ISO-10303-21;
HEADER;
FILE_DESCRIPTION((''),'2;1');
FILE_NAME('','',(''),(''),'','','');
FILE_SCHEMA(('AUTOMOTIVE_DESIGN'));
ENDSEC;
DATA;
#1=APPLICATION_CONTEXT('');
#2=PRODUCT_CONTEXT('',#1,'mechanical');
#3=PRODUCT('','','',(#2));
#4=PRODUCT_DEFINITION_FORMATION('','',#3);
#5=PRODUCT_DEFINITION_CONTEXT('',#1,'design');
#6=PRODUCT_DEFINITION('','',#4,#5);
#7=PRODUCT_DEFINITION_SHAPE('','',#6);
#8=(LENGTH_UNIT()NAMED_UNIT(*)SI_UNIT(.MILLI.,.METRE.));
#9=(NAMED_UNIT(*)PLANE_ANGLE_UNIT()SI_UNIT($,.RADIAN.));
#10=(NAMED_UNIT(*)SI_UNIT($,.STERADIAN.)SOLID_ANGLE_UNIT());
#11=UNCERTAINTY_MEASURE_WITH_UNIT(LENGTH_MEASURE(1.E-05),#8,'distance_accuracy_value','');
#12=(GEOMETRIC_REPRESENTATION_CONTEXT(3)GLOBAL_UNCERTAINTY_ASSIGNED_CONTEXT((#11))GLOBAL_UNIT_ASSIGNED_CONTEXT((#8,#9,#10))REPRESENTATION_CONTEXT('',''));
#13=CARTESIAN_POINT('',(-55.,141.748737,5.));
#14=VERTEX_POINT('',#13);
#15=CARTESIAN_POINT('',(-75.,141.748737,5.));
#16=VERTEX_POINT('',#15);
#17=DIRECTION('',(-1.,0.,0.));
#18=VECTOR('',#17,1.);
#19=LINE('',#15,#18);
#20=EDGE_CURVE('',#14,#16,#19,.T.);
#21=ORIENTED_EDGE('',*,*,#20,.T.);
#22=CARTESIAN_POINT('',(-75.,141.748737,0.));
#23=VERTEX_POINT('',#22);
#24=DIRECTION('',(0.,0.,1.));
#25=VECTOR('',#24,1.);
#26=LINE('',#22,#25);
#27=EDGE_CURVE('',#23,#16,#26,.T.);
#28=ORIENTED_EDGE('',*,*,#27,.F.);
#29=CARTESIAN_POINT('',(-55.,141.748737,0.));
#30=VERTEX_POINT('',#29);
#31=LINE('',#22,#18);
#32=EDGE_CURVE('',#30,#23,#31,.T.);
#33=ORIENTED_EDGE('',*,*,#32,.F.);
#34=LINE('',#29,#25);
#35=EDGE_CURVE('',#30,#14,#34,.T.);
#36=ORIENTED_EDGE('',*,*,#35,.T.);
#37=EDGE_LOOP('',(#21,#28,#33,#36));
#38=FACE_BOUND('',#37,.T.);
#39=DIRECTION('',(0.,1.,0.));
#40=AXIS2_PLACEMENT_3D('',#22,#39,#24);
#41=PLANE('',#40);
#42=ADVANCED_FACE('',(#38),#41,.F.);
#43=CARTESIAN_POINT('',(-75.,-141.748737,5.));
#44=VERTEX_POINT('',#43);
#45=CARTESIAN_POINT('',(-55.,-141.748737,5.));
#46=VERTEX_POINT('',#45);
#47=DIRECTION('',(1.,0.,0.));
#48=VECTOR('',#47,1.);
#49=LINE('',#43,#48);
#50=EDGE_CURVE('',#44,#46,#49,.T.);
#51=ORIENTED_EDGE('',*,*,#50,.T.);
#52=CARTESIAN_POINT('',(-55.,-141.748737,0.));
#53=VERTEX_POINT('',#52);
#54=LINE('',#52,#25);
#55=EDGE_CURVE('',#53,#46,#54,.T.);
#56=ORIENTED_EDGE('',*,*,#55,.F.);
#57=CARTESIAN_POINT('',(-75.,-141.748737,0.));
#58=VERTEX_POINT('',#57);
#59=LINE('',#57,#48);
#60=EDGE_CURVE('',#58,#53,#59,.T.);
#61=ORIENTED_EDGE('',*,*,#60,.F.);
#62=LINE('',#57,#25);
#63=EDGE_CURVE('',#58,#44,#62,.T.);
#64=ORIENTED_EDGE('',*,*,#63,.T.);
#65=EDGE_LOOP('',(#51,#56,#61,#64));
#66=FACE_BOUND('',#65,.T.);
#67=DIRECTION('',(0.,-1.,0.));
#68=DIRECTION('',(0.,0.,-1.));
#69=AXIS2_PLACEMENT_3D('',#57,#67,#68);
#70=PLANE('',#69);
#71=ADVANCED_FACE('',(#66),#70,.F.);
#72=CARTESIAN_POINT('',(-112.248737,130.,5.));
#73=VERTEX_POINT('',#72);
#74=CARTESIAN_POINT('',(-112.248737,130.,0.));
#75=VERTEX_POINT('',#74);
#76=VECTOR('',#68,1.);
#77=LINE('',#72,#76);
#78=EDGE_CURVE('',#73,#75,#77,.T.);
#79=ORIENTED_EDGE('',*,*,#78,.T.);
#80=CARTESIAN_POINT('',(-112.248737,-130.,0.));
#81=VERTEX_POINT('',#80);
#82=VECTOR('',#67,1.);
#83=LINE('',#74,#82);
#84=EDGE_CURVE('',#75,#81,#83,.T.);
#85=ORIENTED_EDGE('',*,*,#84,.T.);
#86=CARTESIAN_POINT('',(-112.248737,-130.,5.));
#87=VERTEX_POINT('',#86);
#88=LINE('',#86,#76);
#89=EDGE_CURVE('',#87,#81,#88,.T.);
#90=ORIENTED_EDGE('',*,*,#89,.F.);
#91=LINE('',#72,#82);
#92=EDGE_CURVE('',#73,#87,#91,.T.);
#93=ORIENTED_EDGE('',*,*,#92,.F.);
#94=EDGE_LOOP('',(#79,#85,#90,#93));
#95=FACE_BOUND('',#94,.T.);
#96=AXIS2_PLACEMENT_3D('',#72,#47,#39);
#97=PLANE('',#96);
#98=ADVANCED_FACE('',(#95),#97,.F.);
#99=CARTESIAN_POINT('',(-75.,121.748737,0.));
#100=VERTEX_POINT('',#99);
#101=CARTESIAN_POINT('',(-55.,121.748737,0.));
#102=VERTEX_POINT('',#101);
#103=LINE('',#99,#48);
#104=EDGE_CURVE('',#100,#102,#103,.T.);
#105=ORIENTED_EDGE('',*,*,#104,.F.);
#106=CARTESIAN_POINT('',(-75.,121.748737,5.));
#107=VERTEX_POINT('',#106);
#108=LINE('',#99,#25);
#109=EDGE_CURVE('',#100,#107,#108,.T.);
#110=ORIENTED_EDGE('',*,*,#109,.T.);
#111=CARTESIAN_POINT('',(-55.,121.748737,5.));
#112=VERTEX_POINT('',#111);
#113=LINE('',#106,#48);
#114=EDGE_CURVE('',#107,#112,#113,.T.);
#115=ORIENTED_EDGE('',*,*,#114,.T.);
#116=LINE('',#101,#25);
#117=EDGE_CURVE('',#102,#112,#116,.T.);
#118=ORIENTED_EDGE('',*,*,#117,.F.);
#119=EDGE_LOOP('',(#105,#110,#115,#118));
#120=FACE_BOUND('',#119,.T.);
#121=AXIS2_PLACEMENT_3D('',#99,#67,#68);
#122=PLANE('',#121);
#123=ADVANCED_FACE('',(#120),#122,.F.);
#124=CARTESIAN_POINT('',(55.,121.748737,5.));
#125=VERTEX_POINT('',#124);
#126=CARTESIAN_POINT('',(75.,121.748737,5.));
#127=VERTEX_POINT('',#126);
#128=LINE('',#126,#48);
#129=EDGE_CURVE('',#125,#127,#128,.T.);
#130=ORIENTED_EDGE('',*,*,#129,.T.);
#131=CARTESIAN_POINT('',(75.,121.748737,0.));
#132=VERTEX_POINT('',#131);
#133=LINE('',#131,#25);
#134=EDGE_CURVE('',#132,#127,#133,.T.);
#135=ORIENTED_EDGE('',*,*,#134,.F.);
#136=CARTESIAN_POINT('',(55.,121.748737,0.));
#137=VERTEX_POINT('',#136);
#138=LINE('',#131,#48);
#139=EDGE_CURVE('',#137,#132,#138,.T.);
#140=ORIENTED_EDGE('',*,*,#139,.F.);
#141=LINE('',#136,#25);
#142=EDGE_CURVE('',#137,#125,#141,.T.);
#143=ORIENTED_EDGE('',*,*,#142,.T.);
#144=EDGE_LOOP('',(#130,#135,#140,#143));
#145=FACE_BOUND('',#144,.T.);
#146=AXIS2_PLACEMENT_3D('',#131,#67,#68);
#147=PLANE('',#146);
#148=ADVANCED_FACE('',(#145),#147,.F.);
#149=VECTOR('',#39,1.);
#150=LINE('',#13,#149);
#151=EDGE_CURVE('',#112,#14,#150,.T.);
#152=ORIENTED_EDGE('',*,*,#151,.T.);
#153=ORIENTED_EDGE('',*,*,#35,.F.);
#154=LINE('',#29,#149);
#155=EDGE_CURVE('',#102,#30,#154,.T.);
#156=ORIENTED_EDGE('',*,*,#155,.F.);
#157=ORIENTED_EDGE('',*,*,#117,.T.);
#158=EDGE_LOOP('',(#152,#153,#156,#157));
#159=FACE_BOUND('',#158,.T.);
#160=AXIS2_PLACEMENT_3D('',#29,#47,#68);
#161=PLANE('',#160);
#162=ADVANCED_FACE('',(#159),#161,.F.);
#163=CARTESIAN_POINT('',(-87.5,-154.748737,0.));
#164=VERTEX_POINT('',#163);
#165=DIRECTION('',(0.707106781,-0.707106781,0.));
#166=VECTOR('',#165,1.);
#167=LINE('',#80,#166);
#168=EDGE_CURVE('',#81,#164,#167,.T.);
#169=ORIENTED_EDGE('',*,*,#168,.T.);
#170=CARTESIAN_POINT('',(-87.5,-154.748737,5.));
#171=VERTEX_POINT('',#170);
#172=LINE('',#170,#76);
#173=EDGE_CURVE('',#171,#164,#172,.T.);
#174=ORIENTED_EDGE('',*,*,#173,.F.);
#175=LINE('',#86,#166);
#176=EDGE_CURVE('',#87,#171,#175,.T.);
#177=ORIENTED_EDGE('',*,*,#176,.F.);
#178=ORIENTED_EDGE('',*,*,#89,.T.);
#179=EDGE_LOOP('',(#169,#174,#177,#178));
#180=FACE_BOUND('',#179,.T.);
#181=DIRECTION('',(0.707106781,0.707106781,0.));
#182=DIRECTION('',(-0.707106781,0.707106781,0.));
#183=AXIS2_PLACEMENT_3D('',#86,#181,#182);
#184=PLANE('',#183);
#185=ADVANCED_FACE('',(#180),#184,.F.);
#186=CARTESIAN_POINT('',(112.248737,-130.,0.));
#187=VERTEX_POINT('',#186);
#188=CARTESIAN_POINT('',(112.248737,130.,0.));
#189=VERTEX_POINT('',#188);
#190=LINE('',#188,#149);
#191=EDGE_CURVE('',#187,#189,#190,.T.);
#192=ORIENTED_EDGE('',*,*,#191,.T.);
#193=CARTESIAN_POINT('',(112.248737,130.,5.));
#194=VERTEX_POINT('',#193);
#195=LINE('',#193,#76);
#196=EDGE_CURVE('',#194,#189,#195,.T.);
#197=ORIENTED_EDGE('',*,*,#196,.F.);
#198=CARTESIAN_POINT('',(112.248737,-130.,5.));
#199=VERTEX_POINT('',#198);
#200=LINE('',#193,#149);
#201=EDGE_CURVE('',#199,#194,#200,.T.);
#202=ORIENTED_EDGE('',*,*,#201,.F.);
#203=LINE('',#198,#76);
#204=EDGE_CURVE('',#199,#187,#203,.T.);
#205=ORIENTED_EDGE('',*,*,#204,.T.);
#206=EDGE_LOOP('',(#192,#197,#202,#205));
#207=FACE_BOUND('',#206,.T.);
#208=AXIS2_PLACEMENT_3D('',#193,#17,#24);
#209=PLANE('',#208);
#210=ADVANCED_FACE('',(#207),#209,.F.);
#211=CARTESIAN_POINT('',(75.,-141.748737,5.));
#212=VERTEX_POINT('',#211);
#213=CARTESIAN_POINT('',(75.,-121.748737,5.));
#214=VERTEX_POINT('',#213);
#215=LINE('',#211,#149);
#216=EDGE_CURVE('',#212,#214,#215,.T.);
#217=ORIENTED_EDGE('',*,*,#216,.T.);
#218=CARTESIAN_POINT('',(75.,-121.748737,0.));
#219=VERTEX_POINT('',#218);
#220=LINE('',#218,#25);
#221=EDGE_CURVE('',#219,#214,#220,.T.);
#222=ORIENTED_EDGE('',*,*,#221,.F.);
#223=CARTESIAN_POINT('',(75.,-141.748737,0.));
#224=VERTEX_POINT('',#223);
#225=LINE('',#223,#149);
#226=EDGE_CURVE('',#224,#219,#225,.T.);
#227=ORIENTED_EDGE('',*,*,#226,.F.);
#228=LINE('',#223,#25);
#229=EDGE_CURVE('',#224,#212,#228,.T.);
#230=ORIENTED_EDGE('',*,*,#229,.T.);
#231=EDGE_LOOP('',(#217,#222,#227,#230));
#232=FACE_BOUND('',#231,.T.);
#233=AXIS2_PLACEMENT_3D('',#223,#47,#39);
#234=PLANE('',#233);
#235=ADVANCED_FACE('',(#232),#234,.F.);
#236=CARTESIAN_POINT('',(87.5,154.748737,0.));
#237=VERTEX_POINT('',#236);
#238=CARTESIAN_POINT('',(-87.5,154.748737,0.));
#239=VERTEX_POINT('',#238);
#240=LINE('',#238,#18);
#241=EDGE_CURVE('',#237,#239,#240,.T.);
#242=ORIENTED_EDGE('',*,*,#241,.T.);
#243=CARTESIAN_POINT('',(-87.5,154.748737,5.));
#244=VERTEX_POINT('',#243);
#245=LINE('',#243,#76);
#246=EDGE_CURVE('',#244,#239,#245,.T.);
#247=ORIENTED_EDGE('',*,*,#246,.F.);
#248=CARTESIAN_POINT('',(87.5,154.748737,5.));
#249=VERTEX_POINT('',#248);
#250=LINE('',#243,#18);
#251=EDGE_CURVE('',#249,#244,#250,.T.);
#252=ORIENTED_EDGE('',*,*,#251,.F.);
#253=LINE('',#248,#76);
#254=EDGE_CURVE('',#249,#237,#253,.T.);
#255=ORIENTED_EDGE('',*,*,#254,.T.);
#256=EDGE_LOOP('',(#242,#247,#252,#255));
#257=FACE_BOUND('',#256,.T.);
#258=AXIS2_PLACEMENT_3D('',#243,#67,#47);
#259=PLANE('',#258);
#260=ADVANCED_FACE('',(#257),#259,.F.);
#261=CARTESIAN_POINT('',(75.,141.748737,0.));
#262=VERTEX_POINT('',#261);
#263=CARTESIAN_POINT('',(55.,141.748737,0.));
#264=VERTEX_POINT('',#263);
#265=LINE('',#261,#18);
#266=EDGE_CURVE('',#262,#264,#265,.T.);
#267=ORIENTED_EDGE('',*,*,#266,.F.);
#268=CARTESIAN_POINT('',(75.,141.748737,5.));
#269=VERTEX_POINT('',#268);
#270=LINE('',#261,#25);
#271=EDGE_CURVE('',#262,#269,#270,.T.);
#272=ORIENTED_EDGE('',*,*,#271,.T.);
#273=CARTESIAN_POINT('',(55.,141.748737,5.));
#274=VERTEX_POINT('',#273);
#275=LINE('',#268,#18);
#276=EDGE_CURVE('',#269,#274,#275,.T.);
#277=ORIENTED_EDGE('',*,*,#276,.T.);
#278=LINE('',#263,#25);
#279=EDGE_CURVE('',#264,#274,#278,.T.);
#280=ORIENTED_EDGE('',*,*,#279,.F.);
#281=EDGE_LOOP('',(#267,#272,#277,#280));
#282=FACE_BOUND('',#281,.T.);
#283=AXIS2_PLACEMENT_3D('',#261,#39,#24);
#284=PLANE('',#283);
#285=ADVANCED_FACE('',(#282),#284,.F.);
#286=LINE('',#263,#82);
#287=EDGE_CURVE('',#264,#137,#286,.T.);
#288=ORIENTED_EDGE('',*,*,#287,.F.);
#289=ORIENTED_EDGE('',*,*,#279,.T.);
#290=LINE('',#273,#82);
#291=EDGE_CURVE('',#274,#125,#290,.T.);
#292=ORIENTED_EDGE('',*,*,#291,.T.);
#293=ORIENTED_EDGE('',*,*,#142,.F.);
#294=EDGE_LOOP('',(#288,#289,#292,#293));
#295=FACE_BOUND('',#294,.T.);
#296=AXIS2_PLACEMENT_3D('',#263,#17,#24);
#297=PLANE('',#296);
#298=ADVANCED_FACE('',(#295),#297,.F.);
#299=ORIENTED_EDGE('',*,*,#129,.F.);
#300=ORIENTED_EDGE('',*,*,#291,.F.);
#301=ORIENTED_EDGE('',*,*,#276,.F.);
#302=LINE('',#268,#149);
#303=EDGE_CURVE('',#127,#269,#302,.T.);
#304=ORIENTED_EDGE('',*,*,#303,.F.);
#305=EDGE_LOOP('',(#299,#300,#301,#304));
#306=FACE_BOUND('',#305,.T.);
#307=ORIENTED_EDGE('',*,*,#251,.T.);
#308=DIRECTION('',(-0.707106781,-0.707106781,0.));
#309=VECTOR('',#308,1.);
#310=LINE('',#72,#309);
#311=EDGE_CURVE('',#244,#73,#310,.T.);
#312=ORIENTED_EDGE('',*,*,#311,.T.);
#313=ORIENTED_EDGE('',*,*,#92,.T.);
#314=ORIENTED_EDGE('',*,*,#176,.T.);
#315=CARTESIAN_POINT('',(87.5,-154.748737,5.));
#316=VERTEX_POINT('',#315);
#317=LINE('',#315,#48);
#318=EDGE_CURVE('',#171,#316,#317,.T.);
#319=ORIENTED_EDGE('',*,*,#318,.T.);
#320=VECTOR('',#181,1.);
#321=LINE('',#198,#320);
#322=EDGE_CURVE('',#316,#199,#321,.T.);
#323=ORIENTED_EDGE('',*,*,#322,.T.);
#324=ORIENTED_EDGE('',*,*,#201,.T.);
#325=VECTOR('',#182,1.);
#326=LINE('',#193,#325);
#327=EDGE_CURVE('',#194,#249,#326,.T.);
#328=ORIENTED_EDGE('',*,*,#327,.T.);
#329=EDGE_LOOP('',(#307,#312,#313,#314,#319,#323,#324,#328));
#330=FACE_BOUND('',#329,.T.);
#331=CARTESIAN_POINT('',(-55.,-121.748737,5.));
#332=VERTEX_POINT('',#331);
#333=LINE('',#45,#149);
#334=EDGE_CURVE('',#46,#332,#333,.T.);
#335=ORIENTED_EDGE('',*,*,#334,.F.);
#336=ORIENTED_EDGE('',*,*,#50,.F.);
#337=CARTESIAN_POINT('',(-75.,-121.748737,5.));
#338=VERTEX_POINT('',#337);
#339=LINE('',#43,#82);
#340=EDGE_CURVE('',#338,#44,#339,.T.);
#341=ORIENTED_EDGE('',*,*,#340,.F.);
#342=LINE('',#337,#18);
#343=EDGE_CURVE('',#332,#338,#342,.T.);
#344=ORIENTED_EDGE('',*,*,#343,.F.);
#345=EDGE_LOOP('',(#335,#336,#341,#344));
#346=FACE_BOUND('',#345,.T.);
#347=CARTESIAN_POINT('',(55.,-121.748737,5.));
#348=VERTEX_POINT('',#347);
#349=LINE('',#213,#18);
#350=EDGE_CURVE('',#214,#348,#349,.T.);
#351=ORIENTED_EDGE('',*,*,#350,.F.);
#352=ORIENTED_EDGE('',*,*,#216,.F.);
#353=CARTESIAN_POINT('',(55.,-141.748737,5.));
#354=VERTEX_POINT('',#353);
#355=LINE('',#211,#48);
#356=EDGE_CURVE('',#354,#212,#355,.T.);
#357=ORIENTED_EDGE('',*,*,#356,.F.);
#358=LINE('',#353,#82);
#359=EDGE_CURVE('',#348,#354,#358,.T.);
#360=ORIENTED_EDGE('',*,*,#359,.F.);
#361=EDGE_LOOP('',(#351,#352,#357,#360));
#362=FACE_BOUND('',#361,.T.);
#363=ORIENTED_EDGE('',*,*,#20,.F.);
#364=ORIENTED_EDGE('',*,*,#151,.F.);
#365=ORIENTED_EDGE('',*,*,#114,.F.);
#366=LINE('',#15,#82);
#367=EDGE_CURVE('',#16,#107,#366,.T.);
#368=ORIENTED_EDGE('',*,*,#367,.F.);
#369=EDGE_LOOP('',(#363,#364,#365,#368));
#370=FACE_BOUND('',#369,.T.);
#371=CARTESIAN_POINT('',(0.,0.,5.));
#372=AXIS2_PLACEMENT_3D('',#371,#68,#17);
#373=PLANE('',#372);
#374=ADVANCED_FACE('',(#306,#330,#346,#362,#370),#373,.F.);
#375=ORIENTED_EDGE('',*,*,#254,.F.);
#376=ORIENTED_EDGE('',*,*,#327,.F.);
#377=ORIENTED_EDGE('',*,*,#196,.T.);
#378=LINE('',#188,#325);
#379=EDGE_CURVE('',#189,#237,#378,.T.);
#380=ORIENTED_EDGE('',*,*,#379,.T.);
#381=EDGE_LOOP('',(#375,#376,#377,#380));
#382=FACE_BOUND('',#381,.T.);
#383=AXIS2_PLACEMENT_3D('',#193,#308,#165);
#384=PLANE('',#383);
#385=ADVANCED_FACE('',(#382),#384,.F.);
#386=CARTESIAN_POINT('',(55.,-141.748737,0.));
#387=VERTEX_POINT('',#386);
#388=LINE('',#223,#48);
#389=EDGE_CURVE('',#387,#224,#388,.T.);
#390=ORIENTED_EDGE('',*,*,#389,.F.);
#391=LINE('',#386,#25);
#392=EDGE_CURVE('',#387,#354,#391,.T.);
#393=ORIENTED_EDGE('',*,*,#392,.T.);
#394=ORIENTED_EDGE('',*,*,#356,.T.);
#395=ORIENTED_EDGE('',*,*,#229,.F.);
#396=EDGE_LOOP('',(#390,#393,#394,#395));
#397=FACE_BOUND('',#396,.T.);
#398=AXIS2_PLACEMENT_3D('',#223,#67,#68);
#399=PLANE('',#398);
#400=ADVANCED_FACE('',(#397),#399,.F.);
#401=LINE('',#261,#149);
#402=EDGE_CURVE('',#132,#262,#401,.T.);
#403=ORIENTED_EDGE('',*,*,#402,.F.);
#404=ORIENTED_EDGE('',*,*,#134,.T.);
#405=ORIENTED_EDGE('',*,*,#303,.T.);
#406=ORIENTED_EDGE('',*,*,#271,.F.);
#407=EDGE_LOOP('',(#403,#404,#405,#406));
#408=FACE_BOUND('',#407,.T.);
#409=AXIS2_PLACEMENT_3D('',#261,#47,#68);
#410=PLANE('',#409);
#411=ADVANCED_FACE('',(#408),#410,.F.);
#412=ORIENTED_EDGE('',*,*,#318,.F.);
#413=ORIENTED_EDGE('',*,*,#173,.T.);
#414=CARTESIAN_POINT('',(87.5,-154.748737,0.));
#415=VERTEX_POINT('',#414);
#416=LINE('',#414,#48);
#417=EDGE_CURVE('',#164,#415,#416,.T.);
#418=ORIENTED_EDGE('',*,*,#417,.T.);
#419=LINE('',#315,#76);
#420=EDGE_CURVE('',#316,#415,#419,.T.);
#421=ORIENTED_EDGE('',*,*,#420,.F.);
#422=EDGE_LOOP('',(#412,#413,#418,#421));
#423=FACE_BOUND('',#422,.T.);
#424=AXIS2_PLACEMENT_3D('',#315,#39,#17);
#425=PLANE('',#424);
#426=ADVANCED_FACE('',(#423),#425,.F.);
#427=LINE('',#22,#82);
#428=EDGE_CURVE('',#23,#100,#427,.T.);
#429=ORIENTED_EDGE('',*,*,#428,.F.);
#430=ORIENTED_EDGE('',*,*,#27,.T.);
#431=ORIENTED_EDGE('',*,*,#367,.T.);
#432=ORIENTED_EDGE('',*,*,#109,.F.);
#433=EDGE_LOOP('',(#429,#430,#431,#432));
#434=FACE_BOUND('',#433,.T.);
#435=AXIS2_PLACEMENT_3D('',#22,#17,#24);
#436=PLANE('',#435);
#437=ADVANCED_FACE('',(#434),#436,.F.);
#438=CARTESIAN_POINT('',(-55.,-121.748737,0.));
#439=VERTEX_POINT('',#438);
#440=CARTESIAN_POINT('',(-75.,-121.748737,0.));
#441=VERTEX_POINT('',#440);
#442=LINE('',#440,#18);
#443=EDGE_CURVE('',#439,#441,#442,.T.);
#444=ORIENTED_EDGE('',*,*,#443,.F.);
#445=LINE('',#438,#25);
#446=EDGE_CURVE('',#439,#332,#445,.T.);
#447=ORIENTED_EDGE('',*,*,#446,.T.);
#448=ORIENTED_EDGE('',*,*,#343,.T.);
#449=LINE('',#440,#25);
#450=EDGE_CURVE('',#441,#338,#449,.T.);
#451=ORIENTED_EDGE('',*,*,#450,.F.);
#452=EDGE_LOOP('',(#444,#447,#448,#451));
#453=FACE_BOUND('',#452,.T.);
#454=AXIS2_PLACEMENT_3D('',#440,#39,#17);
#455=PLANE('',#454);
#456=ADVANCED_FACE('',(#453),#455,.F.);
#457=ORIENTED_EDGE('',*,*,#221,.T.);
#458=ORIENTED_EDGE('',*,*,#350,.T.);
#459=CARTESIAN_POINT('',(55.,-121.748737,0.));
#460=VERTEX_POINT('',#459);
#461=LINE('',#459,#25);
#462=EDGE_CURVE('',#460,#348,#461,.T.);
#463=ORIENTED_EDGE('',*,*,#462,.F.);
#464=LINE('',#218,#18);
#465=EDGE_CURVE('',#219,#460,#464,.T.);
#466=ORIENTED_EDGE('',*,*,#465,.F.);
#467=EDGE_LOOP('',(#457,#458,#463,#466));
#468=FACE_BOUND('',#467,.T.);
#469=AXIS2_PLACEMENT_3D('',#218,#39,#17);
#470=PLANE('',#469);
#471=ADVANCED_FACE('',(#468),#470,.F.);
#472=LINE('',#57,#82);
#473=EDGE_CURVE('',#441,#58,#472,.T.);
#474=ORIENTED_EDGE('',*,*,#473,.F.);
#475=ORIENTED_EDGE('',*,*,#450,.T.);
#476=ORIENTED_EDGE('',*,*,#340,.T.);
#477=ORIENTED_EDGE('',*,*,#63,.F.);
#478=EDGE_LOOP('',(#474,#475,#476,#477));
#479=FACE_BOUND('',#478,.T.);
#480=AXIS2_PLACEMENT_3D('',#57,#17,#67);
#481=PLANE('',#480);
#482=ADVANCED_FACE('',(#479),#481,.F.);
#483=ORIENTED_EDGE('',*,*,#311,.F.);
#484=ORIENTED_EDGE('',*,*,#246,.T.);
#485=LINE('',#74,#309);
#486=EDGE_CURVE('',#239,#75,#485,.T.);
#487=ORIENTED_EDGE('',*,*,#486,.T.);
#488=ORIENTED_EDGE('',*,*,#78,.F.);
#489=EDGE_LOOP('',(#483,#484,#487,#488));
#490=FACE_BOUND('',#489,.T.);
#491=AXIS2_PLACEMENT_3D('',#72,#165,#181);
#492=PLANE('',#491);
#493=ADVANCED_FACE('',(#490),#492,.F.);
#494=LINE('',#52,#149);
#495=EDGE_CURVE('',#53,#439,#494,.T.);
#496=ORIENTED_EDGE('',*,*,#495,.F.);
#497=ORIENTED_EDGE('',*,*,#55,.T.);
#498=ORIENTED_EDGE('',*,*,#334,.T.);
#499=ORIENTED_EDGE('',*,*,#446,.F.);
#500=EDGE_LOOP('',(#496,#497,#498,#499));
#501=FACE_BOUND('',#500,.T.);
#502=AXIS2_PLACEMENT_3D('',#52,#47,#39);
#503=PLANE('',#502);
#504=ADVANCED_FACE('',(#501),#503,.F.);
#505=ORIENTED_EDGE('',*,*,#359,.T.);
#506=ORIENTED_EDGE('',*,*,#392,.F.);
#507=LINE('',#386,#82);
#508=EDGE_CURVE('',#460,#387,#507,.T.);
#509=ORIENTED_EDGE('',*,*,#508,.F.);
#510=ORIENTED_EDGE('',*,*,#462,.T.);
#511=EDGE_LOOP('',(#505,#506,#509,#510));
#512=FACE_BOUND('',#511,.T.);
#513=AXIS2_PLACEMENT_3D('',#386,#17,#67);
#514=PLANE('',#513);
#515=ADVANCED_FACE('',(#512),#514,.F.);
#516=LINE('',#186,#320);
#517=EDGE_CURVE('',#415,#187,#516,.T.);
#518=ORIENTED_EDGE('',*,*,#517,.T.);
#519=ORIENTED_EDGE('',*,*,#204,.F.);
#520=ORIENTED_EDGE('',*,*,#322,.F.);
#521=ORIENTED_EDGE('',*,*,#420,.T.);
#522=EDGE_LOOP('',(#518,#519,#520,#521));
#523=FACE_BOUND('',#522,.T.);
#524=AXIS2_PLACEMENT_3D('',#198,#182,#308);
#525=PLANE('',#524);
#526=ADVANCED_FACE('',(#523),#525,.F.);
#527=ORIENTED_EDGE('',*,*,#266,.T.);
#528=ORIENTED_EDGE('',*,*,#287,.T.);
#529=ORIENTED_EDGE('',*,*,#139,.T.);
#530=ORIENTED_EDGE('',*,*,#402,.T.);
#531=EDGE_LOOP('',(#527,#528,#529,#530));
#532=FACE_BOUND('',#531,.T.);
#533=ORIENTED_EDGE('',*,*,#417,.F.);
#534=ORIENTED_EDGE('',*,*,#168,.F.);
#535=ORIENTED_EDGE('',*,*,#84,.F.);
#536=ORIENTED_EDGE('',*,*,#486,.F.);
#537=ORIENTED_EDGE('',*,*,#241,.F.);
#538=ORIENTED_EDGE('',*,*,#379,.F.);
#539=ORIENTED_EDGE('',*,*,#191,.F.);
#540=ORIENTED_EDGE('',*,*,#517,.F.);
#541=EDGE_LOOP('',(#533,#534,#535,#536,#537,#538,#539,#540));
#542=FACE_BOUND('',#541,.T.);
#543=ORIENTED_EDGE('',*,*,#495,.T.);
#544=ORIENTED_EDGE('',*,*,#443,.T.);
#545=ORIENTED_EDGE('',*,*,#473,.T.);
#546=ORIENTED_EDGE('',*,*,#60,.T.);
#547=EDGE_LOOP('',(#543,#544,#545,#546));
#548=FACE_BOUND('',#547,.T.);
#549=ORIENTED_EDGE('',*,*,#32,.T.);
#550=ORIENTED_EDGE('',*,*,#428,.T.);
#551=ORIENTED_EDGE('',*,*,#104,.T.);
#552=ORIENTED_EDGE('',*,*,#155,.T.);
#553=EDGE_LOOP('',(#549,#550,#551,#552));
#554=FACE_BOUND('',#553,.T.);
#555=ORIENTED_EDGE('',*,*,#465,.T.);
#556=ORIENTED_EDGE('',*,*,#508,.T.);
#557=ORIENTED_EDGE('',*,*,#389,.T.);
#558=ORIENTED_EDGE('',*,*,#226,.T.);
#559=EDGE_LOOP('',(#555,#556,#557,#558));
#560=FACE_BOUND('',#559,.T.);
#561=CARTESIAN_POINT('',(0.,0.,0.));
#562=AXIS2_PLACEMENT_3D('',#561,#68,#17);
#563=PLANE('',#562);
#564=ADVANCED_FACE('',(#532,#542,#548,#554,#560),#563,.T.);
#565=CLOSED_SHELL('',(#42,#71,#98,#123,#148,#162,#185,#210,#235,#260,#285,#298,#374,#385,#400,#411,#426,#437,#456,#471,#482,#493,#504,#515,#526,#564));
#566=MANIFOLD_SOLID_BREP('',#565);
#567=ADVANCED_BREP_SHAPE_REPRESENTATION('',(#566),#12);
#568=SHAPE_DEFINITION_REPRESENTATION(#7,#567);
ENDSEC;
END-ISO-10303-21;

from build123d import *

# Parameters (mm, degrees)
BOSS_EXTRU_1_DEPTH      = 5
ESQUISSE2_W             = 20
ESQUISSE2_H             = 20
ENL_V_MAT_EXTRU_1_DEPTH = 5


with BuildPart() as part:
    # Esquisse1 → Boss.-Extru.1 (new body)
    with BuildSketch(Plane.XY):
        Polygon((-112.248737342, -130), (-87.5, -154.748737342), (87.5, -154.748737342), (112.248737342, -130), (112.248737342, 130), (87.5, 154.748737342), (-87.5, 154.748737342), (-112.248737342, 130), align=None)
    extrude(amount=BOSS_EXTRU_1_DEPTH)

    # Esquisse2 → Enlèv. mat.-Extru.1 (cut)
    with BuildSketch(Plane.XY.offset(5)):
        with Locations((-65, 131.748737342)):
            Rectangle(ESQUISSE2_W, ESQUISSE2_H)
        with Locations((-65, -131.748737342)):
            Rectangle(ESQUISSE2_W, ESQUISSE2_H)
        with Locations((65, -131.748737342)):
            Rectangle(ESQUISSE2_W, ESQUISSE2_H)
        with Locations((65, 131.748737342)):
            Rectangle(ESQUISSE2_W, ESQUISSE2_H)
    extrude(amount=-ENL_V_MAT_EXTRU_1_DEPTH, mode=Mode.SUBTRACT)


solid = part.part
